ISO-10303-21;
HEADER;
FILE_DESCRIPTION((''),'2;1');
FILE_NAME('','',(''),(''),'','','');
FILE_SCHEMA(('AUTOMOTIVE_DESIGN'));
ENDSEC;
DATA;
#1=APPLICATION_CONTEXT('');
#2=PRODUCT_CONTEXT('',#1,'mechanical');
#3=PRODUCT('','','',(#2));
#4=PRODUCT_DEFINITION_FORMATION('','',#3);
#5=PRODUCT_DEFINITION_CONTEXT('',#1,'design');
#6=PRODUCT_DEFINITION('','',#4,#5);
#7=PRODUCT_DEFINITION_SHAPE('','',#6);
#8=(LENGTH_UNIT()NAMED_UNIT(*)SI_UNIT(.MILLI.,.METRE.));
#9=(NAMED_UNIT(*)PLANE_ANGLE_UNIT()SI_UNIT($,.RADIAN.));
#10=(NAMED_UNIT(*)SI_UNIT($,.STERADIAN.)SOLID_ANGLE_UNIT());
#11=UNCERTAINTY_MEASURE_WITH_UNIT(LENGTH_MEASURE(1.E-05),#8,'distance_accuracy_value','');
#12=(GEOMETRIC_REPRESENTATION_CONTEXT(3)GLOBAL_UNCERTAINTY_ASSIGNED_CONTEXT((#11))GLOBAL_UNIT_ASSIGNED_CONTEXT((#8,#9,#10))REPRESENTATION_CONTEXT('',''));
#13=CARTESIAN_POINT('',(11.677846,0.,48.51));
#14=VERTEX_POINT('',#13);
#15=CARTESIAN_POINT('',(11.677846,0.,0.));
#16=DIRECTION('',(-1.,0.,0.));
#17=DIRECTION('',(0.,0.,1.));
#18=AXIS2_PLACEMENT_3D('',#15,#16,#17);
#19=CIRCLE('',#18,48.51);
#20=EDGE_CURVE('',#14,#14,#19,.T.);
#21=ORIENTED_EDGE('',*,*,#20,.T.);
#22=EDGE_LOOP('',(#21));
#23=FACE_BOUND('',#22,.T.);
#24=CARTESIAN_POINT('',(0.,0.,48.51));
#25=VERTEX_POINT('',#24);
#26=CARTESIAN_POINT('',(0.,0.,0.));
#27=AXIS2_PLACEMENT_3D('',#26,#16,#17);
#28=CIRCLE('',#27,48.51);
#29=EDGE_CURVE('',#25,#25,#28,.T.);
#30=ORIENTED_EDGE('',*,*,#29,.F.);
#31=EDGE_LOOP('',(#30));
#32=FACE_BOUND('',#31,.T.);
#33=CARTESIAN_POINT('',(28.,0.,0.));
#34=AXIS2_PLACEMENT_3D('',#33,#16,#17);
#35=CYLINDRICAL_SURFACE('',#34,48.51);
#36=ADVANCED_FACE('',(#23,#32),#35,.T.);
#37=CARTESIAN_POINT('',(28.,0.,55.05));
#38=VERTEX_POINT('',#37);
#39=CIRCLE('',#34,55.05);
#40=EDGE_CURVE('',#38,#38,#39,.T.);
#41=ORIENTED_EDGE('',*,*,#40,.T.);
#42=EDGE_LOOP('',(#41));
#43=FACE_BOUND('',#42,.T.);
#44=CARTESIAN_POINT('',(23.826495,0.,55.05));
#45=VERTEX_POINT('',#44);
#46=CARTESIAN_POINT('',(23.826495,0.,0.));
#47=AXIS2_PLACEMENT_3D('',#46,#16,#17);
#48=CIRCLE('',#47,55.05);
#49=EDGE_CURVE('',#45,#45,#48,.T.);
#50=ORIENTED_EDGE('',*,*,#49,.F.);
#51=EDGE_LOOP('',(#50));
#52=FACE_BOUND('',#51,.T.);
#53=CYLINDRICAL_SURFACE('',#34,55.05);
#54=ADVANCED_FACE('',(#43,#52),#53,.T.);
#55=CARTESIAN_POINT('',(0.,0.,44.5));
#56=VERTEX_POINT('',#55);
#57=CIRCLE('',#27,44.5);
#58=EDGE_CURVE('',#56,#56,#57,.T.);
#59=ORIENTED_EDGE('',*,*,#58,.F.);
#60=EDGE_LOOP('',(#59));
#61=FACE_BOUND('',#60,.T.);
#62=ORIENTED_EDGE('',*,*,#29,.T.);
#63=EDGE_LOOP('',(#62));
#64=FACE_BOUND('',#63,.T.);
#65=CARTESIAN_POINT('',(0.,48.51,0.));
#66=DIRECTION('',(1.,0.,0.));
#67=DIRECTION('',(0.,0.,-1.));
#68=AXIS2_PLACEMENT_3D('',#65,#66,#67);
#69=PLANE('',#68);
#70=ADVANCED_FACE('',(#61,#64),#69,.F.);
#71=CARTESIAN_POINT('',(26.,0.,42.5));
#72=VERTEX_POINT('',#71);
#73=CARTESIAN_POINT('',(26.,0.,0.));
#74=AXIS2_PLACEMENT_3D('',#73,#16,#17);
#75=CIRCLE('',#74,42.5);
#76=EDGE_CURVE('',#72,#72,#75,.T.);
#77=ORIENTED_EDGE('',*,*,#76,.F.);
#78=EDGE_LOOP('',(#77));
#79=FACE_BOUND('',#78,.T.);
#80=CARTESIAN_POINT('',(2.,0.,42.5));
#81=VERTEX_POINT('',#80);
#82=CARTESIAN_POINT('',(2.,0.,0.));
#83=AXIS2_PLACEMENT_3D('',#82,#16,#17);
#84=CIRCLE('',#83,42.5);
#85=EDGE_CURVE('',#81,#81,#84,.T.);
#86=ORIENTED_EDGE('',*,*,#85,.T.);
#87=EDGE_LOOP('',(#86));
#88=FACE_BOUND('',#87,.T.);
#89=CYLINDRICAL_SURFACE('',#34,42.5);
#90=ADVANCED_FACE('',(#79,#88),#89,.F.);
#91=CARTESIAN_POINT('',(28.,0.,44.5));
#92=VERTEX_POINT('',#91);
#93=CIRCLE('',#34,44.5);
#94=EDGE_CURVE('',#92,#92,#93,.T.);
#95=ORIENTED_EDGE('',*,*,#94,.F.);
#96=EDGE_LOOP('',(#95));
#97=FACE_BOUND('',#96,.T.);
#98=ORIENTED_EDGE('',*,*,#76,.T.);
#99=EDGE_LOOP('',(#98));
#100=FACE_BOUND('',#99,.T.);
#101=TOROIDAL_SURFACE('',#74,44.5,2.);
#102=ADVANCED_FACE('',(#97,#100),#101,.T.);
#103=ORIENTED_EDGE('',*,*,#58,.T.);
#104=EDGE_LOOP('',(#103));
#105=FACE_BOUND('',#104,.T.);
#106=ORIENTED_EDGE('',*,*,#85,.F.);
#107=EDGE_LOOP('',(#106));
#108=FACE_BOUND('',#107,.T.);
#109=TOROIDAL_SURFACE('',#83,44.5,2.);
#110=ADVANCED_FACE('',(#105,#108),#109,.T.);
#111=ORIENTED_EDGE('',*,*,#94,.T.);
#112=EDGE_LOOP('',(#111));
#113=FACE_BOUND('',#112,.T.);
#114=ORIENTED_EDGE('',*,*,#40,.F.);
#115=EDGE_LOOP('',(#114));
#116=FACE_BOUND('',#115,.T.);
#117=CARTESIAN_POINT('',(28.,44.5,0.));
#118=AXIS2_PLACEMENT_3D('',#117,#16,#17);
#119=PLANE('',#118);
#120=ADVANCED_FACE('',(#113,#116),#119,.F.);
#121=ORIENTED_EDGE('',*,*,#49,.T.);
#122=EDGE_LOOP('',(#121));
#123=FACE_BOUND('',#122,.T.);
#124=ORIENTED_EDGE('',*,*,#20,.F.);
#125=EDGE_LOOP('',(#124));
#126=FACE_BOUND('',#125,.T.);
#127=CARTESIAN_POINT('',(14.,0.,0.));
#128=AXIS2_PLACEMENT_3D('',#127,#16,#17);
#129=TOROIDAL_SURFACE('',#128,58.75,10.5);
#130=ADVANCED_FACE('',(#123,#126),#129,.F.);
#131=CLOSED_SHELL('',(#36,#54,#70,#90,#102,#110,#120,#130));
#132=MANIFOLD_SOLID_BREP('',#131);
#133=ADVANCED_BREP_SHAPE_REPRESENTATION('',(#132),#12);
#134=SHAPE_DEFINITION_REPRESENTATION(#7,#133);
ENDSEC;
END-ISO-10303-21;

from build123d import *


with BuildPart() as part:
    # Schizzo1 → Rivoluzione1 (revolve)
    with BuildSketch(Plane.XY, mode=Mode.PRIVATE) as rivoluzione1_sk:
        with BuildLine():
            Line((0, 48.51), (0, 44.5))
            ThreePointArc((0, 44.5), (0.585786438, 43.085786438), (2, 42.5))
            Line((2, 42.5), (26, 42.5))
            ThreePointArc((26, 42.5), (27.414213562, 43.085786438), (28, 44.5))
            Line((28, 44.5), (28, 55.05))
            Line((28, 55.05), (23.826494797, 55.05))
            ThreePointArc((23.826494797, 55.05), (18.977115837, 49.504551501), (11.677845828, 48.51))
            Line((11.677845828, 48.51), (0, 48.51))
        make_face()
    revolve(rivoluzione1_sk.sketch.rotate(Axis((28, 0, 0), (-1, 0, 0)), 270), axis=Axis((28, 0, 0), (-1, 0, 0)))


solid = part.part
